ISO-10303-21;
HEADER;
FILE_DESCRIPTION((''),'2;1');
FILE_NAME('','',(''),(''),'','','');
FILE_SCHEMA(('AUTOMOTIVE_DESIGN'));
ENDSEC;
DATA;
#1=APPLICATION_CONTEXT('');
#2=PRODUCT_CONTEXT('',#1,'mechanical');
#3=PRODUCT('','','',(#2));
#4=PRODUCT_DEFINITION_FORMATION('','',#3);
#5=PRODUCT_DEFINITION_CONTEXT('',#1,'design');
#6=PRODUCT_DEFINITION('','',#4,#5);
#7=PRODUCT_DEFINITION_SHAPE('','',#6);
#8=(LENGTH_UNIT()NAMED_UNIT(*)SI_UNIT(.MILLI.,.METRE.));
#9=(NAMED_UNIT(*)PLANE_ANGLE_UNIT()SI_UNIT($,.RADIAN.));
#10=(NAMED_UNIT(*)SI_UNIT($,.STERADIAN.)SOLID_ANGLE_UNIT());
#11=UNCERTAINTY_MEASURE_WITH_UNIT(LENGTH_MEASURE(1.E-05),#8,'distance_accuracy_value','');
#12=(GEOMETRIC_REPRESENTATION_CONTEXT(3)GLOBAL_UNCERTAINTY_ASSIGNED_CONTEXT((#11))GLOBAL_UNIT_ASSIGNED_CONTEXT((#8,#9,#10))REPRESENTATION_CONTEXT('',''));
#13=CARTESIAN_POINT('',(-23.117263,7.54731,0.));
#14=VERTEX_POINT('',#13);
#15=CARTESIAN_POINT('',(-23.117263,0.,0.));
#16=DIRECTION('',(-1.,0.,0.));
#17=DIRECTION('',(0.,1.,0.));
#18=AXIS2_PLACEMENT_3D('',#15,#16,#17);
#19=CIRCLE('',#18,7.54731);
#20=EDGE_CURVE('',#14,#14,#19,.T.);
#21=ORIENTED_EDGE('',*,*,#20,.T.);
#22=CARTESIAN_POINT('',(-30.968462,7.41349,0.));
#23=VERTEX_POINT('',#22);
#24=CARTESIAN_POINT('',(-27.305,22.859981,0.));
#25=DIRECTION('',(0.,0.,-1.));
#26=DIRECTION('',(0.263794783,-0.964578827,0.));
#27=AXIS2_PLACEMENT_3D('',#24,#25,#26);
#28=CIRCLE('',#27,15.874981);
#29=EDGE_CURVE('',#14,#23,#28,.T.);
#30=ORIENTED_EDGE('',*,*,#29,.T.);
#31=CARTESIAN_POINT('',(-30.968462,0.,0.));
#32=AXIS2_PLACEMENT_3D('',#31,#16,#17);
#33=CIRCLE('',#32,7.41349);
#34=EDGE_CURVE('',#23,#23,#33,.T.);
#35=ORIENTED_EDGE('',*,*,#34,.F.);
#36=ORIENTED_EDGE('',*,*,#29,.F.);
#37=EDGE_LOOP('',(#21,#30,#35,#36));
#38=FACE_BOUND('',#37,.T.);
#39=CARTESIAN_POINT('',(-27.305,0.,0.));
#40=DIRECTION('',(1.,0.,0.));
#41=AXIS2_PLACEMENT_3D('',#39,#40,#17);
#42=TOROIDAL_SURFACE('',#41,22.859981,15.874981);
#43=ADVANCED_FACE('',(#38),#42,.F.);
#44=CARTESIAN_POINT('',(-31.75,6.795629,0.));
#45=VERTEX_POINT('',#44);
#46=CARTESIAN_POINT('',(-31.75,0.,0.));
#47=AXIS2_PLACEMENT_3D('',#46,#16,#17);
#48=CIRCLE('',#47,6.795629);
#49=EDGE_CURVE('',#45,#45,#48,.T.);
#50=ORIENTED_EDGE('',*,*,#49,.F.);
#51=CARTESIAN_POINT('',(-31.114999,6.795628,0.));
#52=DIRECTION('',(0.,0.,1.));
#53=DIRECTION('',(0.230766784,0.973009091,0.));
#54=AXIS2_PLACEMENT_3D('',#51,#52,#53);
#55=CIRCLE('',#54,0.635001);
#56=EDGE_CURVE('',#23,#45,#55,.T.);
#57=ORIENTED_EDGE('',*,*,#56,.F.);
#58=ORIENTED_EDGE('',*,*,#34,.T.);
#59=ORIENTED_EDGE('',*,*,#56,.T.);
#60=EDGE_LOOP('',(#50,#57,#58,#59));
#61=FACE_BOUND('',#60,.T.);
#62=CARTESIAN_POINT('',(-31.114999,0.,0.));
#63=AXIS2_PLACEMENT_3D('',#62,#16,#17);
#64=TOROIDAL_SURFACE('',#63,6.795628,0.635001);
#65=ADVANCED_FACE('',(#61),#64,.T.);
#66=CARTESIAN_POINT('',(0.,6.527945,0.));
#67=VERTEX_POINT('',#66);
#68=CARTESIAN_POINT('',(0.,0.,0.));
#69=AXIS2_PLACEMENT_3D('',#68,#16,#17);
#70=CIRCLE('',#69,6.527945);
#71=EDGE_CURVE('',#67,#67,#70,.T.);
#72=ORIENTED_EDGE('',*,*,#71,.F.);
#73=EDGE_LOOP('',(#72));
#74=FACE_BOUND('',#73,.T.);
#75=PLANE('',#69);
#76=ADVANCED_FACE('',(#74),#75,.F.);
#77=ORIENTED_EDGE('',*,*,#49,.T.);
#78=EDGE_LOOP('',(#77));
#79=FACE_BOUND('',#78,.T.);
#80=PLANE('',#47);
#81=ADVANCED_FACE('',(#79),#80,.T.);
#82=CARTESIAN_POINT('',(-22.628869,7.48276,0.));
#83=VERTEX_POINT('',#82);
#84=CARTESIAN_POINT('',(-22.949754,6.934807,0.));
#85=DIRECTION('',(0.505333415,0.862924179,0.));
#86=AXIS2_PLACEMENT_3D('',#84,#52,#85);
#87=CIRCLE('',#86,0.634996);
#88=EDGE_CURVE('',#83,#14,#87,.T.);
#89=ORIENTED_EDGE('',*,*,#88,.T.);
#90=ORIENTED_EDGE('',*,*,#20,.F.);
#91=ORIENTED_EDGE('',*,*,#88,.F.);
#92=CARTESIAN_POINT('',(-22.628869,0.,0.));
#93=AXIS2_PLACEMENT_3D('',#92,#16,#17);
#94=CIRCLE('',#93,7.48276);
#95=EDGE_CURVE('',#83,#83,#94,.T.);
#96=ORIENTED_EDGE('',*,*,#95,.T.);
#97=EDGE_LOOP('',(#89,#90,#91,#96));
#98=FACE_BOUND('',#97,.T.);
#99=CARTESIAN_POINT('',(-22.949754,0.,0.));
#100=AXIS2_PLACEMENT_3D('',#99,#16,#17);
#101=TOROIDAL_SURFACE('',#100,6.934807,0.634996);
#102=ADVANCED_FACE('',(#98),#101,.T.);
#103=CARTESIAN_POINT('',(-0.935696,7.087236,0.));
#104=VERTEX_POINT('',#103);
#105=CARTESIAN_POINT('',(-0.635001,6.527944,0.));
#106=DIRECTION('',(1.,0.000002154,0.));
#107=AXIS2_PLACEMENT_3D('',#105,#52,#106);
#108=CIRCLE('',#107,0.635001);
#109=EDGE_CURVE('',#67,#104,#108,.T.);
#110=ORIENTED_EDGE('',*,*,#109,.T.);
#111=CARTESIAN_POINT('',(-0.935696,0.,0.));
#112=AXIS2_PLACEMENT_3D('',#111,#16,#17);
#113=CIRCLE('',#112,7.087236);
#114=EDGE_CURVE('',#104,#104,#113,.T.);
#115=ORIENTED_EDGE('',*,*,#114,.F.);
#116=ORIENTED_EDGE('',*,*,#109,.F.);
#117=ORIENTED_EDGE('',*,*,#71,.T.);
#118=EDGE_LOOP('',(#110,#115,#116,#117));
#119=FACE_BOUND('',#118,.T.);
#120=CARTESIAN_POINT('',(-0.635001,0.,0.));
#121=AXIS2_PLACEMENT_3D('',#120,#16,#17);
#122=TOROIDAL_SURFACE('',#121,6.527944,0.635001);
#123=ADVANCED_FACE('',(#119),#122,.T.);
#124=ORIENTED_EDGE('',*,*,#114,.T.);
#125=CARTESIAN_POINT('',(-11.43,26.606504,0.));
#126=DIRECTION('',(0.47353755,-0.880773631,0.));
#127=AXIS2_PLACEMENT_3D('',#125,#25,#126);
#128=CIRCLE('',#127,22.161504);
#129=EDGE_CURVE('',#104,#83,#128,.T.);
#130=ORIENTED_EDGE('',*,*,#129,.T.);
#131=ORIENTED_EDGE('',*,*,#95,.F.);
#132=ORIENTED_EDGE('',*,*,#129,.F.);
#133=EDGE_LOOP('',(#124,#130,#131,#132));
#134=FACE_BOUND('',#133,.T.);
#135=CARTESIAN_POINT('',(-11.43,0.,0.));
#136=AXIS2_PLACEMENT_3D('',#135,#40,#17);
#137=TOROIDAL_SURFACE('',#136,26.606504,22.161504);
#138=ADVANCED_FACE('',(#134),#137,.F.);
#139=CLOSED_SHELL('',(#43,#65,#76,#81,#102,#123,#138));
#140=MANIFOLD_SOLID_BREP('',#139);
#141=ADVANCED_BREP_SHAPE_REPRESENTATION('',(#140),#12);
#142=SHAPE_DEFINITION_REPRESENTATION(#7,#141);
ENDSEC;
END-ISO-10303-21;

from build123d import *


with BuildPart() as f1:
    # F0 (on Top) → F1 (revolve)
    with BuildSketch(Plane.XY):
        with BuildLine():
            Line((-31.75, 0), (0, 0))
            Line((0, 0), (0, 6.527945))
            ThreePointArc((0, 6.527945), (-0.309207, 7.072998), (-0.935696, 7.087236))
            ThreePointArc((-0.935696, 7.087236), (-11.833996, 4.448683), (-22.628869, 7.48276))
            ThreePointArc((-22.628869, 7.48276), (-22.866551, 7.564328), (-23.117263, 7.54731))
            ThreePointArc((-23.117263, 7.54731), (-27.034458, 6.987305), (-30.968462, 7.41349))
            ThreePointArc((-30.968462, 7.41349), (-31.50881, 7.293764), (-31.75, 6.795629))
            Line((-31.75, 6.795629), (-31.75, 0))
        make_face()
    revolve(axis=Axis((-15.875, 0, 0), (-1, 0, 0)))


solid = f1.part
